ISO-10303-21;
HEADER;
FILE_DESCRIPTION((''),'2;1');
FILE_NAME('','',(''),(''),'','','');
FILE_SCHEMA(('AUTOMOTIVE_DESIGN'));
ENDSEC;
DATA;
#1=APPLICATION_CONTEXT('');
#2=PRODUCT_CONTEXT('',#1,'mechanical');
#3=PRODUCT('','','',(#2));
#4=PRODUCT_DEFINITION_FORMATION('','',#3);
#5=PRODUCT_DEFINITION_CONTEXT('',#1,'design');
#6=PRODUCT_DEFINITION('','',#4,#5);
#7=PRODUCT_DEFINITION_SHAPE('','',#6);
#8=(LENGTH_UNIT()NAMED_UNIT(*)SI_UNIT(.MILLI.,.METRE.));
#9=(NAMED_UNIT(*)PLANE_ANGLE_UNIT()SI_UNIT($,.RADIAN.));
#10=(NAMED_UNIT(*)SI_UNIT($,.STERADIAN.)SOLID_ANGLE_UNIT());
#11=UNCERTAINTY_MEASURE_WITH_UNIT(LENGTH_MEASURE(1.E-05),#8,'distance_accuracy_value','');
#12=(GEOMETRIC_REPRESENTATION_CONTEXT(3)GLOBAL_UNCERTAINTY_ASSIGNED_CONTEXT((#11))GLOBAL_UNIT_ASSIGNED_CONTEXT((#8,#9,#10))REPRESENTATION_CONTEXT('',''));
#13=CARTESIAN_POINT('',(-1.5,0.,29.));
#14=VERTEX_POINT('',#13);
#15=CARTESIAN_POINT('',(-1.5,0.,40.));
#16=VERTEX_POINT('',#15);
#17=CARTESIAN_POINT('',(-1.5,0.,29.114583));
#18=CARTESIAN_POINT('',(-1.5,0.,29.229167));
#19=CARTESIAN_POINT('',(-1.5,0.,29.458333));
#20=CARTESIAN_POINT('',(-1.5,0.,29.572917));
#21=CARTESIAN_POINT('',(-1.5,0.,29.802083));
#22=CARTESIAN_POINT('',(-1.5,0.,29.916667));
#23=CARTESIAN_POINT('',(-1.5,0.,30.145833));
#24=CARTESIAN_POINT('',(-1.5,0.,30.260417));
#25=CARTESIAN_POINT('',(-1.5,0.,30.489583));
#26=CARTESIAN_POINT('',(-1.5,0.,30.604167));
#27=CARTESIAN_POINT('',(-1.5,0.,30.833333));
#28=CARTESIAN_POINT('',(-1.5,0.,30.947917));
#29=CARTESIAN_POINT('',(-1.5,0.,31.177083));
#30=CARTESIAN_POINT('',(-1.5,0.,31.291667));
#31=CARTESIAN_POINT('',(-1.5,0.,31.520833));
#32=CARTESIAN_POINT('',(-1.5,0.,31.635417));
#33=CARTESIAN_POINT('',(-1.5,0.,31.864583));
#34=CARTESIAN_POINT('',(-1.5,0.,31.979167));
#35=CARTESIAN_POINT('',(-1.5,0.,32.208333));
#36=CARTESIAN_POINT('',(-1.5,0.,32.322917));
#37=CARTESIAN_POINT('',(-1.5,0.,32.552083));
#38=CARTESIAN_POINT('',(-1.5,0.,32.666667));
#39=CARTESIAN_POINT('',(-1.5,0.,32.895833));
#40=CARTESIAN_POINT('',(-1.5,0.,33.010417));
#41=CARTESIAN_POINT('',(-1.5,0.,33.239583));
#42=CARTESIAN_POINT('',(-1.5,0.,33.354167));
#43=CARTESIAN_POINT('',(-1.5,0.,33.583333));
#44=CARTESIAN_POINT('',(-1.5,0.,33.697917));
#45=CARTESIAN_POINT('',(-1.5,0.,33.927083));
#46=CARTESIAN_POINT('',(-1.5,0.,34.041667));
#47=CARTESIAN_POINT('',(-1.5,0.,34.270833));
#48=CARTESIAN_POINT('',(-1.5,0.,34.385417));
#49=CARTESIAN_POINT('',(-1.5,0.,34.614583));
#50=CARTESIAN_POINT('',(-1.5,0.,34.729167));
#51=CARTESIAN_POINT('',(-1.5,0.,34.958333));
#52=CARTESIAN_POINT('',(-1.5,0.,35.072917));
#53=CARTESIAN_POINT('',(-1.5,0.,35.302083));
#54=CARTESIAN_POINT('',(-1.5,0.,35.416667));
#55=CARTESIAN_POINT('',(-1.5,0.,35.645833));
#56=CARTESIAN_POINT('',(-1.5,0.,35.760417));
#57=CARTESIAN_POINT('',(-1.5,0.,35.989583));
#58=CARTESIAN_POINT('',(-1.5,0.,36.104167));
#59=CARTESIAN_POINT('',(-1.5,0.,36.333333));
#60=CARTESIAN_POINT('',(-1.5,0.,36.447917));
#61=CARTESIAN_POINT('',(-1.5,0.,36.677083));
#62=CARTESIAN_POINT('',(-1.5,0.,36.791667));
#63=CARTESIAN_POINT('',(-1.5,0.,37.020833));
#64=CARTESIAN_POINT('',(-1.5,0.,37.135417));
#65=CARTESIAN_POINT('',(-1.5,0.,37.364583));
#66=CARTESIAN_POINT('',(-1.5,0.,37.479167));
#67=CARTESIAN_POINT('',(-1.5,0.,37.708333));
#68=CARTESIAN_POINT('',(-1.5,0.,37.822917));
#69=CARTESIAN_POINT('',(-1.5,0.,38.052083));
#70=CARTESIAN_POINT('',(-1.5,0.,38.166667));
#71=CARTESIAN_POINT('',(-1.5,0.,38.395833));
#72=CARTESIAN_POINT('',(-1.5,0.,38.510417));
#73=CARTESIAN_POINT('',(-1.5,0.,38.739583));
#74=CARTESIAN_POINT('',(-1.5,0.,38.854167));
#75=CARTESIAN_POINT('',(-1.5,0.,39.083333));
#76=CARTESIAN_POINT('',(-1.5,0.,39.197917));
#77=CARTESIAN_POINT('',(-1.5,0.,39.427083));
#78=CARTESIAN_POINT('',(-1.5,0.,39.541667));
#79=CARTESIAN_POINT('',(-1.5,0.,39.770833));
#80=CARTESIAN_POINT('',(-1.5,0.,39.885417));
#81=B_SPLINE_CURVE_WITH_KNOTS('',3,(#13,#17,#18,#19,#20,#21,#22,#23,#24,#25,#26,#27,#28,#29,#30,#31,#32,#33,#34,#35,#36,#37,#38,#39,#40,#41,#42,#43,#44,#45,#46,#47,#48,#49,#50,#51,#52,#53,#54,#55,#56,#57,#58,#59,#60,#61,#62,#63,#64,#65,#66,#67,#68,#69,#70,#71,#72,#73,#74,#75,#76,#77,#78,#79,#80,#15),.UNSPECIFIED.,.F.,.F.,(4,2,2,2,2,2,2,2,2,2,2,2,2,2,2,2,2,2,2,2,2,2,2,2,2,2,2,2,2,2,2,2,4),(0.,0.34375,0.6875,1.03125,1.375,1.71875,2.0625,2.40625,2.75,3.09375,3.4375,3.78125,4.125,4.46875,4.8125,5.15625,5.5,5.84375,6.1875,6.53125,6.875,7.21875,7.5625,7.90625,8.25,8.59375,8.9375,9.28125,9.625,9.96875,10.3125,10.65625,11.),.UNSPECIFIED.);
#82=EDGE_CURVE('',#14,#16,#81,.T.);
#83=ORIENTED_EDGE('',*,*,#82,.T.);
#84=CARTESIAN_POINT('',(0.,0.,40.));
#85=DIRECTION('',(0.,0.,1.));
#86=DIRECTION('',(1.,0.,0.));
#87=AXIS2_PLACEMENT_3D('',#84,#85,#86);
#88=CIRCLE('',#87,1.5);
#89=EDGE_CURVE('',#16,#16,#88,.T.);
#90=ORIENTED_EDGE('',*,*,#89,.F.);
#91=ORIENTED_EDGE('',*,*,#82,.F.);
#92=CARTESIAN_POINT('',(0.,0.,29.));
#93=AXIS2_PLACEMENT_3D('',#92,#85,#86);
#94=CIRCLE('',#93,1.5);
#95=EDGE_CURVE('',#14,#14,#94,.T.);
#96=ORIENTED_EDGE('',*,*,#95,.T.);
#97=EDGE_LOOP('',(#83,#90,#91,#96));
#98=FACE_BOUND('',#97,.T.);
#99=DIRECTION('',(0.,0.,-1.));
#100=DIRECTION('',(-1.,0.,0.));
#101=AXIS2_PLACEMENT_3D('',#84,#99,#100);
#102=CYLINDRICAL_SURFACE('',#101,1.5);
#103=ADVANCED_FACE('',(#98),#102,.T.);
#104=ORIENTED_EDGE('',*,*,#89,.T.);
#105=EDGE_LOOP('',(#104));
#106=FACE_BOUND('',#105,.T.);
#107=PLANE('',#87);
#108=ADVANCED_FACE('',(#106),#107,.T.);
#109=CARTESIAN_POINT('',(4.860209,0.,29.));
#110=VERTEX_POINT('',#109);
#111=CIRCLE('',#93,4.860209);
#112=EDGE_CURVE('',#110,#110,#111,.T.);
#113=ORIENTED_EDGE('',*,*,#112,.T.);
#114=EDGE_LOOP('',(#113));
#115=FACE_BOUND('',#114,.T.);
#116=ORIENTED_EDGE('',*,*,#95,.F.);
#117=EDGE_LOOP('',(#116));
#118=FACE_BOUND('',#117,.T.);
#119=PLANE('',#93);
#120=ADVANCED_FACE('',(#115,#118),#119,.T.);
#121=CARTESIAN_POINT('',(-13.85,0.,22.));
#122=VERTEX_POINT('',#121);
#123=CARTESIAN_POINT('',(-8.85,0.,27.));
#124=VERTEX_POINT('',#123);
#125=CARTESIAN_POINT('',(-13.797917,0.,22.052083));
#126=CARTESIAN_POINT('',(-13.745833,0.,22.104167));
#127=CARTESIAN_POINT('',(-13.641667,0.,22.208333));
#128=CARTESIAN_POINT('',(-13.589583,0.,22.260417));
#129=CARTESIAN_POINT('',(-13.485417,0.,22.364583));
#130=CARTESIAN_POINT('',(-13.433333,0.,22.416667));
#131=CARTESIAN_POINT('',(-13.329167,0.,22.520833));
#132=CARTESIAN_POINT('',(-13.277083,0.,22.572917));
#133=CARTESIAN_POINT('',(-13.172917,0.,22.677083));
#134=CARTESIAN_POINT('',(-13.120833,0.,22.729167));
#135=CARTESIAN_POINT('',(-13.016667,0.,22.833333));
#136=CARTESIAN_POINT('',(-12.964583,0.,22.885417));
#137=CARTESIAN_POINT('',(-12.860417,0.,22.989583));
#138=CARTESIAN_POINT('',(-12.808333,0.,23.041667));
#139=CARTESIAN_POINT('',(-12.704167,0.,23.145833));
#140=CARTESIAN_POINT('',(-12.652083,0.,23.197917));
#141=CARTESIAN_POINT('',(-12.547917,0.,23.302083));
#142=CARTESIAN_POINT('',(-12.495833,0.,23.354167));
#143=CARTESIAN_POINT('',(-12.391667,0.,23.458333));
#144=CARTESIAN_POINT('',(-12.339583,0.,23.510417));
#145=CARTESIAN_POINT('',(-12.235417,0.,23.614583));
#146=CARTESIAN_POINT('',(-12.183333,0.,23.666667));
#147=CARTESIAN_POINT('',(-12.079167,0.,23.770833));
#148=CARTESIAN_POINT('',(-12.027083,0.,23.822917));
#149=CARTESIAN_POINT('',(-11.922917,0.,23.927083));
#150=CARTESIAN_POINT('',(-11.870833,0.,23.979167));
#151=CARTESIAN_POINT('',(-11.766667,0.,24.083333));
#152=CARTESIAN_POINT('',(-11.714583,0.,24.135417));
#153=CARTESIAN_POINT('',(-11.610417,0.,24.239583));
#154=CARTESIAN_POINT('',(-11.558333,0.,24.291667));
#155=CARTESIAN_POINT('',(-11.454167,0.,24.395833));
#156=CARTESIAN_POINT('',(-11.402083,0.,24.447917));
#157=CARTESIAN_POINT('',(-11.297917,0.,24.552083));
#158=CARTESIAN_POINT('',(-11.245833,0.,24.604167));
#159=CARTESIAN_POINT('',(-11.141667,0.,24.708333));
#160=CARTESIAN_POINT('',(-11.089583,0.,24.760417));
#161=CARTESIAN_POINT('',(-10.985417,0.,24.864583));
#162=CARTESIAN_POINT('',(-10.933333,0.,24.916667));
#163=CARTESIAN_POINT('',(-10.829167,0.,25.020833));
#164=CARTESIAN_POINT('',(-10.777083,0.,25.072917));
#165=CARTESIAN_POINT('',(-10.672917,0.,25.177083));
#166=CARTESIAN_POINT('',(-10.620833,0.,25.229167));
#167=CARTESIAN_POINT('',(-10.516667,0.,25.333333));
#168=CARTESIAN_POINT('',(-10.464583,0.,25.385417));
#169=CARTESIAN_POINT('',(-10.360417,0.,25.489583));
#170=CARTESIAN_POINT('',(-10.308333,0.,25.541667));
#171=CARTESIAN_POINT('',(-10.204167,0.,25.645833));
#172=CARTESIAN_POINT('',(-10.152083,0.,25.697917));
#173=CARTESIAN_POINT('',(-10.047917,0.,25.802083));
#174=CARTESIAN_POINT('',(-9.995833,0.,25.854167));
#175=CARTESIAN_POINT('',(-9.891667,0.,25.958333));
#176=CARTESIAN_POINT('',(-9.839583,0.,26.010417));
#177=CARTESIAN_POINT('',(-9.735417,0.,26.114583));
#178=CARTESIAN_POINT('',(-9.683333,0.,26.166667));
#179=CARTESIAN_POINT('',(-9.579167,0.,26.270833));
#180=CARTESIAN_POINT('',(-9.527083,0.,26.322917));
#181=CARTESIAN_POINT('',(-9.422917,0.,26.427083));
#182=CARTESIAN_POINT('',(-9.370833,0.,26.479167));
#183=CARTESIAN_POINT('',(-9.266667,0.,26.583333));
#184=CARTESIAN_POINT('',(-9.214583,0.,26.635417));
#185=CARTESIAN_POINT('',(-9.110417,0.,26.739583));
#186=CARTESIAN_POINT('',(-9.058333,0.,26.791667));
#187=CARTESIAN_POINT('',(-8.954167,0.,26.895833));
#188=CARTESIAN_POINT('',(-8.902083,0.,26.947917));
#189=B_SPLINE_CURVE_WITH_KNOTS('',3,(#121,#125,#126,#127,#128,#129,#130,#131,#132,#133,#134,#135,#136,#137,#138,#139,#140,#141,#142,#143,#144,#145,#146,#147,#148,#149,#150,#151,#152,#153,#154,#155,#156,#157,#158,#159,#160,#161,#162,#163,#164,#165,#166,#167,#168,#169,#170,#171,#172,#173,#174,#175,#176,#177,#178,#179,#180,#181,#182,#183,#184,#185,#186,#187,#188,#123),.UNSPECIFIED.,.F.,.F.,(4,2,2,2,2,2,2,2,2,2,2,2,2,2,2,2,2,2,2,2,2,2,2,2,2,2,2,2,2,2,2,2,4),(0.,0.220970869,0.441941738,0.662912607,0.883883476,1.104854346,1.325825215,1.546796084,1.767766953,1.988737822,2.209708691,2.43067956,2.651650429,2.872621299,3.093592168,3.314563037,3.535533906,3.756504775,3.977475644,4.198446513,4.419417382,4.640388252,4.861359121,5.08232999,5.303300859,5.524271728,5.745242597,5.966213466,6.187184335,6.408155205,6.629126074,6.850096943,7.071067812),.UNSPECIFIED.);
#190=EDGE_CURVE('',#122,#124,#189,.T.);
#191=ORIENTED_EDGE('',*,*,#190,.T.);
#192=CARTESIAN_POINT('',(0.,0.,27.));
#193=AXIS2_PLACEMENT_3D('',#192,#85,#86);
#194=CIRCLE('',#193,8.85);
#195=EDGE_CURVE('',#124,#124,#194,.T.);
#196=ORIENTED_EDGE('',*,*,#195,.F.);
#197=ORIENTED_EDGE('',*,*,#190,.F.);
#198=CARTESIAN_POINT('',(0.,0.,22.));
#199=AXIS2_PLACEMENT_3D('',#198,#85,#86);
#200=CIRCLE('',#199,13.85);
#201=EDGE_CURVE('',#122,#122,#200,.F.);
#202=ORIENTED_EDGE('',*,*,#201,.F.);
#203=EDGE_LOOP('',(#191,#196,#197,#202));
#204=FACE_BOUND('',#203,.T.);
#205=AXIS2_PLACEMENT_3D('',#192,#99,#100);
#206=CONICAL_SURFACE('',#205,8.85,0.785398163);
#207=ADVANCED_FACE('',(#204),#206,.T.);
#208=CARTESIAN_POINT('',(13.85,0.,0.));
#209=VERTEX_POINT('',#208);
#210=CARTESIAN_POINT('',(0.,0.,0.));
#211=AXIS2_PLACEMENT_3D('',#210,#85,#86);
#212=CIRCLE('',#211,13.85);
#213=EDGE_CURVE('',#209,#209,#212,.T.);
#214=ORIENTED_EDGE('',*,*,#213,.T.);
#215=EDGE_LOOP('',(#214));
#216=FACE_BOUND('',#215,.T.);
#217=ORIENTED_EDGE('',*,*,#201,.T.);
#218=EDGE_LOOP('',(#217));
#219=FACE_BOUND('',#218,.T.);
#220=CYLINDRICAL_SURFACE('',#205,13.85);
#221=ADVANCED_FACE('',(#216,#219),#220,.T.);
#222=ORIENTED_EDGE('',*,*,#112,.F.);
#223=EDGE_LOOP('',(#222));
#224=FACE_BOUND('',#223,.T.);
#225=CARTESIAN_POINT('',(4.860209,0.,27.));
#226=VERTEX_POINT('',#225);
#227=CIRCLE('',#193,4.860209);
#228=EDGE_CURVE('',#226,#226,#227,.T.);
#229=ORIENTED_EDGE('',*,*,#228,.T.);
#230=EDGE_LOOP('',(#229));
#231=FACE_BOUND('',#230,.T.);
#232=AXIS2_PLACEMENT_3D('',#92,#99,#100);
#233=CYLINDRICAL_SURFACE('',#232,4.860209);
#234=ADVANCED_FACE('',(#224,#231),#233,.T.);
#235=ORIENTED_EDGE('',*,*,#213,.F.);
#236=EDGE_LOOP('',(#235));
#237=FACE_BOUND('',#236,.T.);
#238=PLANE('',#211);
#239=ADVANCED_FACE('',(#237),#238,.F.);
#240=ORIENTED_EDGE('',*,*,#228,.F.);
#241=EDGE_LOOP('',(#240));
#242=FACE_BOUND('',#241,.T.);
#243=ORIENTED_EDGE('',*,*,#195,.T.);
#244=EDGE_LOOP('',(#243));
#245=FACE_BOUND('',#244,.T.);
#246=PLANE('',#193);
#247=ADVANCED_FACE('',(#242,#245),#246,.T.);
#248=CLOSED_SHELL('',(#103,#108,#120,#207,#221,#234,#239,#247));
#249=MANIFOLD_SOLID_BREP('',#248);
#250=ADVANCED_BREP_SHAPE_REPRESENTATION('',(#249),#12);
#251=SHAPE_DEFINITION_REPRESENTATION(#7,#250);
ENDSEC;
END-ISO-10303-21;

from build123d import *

# Parameters (mm, degrees)
ESQUISSE1_R        = 13.85
BOSS_EXTRU_1_DEPTH = 27
CHANFREIN1_SIZE    = 5
ESQUISSE2_R        = 1.5
BOSS_EXTRU_2_DEPTH = 13
ESQUISSE3_R        = 4.860209202
BOSS_EXTRU_3_DEPTH = 2


with BuildPart() as part:
    # Esquisse1 → Boss.-Extru.1 (new body)
    with BuildSketch(Plane.XY):
        Circle(ESQUISSE1_R)
    extrude(amount=BOSS_EXTRU_1_DEPTH)

    # Chanfrein1
    chanfrein1_edges = [part.edges().sort_by_distance(p)[0] for p in [
        (-13.85, 0, 27),
    ]]
    chamfer(chanfrein1_edges, length=CHANFREIN1_SIZE)

    # Esquisse2 → Boss.-Extru.2 (add)
    with BuildSketch(Plane.XY.offset(27)):
        with Locations(Location((0, 0, 0), (0, 0, 180))):
            Circle(ESQUISSE2_R)
    extrude(amount=BOSS_EXTRU_2_DEPTH)

    # Esquisse3 → Boss.-Extru.3 (add)
    with BuildSketch(Plane.XY.offset(27)):
        Circle(ESQUISSE3_R)
    extrude(amount=BOSS_EXTRU_3_DEPTH)


solid = part.part
